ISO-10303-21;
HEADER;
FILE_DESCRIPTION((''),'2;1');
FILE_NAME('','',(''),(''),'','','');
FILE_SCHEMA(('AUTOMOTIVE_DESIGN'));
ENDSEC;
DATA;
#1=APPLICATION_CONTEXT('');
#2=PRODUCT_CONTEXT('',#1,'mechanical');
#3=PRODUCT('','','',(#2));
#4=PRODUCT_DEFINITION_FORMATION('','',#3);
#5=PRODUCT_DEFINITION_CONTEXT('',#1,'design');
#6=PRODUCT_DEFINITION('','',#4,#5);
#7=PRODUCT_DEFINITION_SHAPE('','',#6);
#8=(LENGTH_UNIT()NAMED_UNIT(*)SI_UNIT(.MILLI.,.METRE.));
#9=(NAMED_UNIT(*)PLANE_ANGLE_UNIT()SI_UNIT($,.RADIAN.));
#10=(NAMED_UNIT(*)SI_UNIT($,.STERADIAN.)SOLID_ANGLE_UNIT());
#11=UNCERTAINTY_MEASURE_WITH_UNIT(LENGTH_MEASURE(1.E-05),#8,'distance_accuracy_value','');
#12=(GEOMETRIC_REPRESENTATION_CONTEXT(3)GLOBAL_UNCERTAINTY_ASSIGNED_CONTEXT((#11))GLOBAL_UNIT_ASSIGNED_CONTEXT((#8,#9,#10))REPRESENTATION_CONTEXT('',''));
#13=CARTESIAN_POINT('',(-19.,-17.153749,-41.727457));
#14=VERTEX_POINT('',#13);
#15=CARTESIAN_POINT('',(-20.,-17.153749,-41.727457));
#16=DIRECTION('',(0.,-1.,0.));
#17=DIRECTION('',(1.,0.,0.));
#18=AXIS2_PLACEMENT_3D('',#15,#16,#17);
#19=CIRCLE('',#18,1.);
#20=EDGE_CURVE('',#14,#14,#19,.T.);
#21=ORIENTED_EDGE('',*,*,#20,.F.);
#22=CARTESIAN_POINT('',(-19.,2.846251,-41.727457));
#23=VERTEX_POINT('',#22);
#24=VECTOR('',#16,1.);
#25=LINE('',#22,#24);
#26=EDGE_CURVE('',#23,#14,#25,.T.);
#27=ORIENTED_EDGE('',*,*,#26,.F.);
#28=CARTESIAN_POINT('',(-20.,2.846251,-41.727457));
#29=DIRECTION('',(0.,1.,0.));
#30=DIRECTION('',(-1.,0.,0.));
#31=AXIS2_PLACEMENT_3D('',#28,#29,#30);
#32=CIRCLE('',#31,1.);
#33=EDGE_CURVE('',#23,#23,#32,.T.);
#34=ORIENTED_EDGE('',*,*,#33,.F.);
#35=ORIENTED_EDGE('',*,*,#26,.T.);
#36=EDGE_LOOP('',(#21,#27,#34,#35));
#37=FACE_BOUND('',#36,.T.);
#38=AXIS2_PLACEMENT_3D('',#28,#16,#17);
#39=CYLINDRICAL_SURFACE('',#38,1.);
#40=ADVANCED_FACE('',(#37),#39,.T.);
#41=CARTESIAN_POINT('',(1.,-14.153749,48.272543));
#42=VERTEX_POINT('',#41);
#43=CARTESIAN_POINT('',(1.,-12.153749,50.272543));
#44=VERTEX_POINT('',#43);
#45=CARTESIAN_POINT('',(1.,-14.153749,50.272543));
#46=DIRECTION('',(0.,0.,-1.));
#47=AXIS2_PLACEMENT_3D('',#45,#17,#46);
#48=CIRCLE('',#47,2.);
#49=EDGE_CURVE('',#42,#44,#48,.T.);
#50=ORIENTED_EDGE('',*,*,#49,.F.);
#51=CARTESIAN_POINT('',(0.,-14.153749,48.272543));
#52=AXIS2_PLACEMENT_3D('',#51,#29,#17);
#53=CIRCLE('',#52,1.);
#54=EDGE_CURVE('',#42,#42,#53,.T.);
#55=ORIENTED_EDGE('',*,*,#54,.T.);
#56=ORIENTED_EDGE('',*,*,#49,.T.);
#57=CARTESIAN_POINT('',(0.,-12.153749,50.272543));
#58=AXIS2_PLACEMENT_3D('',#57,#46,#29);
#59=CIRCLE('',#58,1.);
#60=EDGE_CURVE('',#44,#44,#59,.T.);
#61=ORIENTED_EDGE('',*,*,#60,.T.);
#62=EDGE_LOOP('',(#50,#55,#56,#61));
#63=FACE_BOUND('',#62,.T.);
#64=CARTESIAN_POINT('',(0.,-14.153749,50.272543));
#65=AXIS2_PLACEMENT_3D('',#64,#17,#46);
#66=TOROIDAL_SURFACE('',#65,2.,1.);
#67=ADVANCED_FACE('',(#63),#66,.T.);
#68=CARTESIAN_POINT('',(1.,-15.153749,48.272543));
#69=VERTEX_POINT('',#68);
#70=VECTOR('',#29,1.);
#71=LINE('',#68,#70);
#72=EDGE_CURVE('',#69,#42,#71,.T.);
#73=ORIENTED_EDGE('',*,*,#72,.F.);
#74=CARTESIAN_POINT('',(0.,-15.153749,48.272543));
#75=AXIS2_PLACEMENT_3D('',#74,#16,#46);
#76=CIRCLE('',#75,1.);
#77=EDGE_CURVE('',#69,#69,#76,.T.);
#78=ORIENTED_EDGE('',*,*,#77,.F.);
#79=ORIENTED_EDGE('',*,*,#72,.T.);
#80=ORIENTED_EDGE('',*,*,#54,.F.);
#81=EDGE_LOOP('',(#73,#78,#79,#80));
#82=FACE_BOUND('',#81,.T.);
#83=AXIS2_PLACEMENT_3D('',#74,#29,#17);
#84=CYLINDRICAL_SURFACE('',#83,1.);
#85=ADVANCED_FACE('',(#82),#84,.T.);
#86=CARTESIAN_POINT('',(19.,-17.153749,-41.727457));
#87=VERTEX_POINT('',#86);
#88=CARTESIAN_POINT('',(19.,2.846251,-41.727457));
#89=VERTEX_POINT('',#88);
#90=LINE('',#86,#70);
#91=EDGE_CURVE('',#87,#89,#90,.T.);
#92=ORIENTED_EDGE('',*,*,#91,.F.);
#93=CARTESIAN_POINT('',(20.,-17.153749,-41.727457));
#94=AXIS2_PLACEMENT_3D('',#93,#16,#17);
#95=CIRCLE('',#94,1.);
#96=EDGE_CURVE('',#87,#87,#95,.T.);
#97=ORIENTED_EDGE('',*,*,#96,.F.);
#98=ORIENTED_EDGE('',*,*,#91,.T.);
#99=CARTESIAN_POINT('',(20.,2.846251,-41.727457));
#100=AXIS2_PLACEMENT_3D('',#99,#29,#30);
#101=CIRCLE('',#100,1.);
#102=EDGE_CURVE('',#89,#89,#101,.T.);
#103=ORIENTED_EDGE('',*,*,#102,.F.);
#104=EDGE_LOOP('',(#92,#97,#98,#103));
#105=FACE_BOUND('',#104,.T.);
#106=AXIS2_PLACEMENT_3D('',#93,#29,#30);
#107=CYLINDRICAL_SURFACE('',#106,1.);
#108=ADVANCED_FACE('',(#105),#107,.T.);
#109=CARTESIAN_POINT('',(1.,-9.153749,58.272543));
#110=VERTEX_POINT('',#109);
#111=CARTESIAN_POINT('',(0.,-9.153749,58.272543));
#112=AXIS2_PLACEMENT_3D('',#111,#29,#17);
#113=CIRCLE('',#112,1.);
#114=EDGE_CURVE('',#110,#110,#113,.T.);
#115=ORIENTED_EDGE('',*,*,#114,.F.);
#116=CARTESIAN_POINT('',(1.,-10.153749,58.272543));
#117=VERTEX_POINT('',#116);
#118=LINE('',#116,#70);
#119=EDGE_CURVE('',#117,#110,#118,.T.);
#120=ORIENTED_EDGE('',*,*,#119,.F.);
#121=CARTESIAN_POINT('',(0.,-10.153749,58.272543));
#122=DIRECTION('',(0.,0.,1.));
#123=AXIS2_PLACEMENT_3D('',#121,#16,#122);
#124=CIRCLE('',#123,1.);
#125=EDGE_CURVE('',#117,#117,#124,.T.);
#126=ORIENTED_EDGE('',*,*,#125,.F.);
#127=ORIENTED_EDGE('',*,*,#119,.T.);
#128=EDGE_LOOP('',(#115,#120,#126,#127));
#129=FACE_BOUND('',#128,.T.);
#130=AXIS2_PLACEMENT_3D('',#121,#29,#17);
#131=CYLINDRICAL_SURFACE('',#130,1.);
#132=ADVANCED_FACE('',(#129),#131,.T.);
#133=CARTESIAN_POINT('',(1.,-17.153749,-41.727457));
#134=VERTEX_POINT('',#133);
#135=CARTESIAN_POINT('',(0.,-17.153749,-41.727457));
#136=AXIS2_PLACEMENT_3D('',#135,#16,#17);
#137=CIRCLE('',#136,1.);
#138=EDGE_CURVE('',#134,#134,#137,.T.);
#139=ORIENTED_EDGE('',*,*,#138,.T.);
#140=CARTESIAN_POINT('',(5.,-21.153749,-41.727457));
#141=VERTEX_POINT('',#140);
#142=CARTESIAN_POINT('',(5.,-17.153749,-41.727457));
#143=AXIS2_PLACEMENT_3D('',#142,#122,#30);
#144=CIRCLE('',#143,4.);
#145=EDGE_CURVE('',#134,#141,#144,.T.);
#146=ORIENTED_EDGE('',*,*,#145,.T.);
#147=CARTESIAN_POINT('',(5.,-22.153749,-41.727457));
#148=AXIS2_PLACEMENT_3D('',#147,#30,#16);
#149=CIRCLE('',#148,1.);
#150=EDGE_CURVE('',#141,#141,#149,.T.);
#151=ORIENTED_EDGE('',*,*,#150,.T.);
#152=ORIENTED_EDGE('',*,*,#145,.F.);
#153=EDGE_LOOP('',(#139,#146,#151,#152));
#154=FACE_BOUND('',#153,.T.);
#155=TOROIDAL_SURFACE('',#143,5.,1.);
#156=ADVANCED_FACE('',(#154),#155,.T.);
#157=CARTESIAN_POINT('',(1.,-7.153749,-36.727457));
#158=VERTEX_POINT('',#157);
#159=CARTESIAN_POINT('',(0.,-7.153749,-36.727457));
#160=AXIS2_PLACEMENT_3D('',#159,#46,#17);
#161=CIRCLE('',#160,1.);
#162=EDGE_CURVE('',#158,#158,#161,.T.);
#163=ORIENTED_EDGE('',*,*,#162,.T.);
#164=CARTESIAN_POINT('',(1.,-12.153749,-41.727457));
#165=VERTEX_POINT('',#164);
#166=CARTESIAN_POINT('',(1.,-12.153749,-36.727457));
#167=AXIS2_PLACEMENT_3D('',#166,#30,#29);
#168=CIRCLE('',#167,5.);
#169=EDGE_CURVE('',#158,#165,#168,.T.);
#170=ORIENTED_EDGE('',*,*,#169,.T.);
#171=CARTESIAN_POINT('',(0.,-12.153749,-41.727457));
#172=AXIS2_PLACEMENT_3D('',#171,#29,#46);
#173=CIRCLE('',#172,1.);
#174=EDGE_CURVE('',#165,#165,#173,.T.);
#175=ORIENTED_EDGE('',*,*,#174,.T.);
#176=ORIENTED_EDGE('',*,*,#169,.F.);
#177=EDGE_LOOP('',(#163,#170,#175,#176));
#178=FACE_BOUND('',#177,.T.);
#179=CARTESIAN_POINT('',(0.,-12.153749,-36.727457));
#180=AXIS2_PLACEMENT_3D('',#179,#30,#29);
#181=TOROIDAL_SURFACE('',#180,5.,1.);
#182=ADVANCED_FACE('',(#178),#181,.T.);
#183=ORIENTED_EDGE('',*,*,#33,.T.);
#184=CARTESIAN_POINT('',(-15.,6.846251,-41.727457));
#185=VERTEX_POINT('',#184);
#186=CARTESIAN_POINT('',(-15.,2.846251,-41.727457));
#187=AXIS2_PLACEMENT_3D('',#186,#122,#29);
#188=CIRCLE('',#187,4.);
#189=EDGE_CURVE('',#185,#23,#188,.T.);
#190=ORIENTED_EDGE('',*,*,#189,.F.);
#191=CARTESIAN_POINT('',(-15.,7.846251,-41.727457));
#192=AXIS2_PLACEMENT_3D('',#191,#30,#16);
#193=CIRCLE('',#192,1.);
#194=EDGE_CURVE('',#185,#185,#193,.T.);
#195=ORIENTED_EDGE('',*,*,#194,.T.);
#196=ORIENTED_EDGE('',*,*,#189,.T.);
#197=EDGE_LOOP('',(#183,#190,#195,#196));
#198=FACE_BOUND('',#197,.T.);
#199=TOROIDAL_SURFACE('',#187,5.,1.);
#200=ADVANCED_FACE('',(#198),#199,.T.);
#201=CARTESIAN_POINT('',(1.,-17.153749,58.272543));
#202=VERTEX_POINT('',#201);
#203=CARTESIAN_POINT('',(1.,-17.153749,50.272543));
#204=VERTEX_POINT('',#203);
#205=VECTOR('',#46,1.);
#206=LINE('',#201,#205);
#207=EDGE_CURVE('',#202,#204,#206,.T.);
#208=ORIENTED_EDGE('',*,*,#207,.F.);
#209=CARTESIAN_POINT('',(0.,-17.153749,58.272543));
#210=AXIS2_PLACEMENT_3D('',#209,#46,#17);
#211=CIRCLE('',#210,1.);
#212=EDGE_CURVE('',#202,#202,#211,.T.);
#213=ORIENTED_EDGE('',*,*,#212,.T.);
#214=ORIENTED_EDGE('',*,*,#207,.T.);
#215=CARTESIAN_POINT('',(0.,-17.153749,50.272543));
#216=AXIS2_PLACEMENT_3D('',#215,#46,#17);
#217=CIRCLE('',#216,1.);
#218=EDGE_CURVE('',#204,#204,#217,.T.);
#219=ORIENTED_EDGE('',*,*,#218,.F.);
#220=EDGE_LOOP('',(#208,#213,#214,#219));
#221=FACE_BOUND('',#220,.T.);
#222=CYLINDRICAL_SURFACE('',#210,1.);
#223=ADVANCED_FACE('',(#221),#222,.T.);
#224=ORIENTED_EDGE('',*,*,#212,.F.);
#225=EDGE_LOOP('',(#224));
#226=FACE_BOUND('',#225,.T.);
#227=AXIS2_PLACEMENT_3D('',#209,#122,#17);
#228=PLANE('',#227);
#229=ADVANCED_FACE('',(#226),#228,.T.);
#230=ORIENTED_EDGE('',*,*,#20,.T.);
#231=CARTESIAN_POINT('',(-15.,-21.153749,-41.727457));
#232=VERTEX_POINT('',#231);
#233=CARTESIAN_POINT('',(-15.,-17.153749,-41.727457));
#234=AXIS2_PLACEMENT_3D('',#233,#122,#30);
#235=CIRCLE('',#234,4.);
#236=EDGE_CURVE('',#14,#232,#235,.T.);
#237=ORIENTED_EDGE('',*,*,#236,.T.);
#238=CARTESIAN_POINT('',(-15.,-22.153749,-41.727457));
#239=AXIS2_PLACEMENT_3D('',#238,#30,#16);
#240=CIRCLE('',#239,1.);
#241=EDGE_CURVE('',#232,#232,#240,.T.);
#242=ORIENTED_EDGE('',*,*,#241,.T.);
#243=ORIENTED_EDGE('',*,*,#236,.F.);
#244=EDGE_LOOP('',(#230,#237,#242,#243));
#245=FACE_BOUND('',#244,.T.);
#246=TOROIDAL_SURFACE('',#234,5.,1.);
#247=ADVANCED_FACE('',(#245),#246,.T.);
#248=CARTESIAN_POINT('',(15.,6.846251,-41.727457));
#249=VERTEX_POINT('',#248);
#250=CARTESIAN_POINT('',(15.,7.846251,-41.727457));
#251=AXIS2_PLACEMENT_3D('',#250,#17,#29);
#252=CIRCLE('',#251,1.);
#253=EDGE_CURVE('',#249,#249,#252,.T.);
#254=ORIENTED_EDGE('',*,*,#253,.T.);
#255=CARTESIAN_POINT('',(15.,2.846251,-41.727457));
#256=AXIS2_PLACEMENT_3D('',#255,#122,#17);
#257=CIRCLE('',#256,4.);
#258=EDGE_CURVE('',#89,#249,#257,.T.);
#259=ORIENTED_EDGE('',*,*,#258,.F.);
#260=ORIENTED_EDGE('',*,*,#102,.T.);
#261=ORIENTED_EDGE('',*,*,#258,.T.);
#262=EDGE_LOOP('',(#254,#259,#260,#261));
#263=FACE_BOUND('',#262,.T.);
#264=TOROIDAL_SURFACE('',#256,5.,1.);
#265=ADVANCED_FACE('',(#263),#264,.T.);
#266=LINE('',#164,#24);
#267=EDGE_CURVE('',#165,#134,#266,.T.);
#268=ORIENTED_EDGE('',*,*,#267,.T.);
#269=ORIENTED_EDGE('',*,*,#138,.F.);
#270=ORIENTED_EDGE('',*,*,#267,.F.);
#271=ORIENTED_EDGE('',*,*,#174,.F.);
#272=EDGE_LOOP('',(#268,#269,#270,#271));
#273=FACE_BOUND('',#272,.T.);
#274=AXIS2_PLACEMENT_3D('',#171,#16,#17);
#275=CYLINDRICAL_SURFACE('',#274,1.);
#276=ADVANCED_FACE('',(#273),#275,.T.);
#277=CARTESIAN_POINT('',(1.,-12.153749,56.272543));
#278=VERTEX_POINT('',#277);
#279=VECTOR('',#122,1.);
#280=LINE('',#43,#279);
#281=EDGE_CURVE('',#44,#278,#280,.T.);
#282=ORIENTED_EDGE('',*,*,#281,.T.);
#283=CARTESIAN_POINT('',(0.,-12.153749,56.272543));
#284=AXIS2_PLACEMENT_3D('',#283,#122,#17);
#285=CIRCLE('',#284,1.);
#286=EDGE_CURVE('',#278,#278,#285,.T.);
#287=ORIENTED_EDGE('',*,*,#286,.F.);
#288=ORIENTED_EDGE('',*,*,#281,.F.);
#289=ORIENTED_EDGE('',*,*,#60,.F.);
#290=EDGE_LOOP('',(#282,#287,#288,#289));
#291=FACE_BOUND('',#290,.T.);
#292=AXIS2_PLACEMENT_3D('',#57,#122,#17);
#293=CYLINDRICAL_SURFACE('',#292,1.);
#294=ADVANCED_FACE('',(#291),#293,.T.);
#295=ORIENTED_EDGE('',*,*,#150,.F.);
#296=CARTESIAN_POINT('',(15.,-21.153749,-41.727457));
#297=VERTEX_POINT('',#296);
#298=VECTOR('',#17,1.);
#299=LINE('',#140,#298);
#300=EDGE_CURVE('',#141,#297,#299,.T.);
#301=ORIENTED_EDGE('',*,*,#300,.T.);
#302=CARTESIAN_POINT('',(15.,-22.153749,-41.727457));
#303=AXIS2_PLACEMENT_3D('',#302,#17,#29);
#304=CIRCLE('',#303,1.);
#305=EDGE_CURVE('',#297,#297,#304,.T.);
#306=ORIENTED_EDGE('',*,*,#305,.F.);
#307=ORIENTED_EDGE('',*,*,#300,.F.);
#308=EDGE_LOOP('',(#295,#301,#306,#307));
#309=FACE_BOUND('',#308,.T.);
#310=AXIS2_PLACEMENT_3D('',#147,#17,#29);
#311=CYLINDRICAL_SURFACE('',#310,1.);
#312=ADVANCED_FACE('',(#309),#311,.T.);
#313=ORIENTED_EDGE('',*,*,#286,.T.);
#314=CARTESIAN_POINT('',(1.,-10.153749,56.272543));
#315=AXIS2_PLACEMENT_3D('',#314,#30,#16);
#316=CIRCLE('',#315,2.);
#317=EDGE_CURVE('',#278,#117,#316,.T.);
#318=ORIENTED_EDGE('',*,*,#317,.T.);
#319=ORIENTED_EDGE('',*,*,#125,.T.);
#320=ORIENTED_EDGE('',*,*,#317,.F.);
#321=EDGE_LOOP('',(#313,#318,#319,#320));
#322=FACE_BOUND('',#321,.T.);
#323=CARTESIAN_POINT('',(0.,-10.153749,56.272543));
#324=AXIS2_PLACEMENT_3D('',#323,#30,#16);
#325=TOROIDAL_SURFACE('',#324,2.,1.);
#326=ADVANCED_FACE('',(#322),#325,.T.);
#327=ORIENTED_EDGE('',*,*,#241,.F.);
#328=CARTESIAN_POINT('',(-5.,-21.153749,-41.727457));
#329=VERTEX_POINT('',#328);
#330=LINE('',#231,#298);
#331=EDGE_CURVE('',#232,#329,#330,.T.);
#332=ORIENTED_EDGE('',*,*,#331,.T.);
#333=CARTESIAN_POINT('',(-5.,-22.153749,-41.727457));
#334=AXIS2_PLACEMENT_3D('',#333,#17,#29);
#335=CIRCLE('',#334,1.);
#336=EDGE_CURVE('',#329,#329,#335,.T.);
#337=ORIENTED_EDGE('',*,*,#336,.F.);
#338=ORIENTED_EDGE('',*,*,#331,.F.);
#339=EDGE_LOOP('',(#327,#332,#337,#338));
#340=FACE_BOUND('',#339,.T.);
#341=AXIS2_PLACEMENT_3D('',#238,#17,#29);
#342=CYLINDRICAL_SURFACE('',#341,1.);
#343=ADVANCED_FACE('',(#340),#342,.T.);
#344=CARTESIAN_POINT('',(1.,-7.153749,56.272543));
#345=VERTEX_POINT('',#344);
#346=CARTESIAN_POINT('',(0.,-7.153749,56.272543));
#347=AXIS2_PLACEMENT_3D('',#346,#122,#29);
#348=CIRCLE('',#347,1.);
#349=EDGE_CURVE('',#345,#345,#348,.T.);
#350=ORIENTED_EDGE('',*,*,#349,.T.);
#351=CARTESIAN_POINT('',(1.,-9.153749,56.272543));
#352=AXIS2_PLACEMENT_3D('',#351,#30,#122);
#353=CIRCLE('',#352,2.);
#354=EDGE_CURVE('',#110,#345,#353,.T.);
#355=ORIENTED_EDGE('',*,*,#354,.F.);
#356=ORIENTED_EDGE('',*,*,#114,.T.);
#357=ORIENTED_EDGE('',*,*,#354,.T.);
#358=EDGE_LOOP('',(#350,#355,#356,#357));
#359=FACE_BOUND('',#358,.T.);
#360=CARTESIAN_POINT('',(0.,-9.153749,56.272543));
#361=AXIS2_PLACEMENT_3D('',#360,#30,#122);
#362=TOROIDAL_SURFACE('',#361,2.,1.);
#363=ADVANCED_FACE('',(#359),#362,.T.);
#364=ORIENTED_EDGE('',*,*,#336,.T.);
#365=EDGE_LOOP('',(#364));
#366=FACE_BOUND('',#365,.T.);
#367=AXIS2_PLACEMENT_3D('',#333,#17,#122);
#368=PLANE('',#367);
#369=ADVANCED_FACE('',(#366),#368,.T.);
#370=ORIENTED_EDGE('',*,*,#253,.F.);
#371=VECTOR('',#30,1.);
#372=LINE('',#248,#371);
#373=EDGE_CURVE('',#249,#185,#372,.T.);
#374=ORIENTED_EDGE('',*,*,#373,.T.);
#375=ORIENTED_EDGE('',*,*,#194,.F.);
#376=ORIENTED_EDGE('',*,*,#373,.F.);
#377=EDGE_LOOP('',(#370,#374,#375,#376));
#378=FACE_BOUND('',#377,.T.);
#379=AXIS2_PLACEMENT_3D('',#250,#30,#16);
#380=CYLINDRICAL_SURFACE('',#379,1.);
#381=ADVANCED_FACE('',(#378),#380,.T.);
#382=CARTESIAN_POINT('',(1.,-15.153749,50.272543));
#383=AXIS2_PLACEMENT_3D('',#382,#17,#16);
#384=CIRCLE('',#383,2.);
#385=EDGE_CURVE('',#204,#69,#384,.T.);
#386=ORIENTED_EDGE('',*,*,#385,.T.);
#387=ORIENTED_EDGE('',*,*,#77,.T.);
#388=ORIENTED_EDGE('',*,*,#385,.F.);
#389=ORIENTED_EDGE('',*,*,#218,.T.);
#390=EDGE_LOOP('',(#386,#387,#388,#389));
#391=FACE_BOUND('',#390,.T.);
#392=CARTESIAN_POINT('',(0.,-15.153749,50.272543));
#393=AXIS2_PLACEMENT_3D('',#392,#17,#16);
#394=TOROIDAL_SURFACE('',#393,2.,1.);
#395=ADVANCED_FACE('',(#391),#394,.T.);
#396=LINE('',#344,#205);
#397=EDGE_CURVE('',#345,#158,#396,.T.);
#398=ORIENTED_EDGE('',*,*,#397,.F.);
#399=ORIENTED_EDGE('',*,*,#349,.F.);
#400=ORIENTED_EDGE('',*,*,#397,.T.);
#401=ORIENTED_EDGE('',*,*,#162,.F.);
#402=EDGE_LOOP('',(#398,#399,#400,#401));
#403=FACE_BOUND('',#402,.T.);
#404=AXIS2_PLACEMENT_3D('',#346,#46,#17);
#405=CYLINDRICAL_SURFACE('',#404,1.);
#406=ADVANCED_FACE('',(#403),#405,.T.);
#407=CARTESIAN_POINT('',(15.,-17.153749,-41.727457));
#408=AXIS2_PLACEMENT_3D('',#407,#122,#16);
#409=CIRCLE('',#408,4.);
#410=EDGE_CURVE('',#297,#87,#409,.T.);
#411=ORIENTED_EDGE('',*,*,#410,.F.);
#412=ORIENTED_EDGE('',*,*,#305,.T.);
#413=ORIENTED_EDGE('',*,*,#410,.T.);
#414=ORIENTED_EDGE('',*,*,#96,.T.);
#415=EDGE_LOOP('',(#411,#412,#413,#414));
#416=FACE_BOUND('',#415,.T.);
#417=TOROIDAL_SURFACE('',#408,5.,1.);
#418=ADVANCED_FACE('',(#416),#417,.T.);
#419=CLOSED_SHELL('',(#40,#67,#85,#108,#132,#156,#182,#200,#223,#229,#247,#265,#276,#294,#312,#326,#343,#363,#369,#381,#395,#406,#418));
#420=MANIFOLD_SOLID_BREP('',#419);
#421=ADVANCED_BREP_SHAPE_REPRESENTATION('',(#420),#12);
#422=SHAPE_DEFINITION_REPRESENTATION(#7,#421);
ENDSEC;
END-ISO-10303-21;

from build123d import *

# Parameters (mm, degrees)
F2_R      = 1
F3_FACE_R = 1


with BuildPart() as f3:
    # F3: sweep along a path in F0
    with BuildLine(Plane.YZ) as f3_path:
        Line((-17.1537491528, 58.2725426934), (-17.1537491528, 50.2725426934))
        ThreePointArc((-17.1537491528, 50.2725426934), (-16.5679627151, 48.8583291311), (-15.1537491528, 48.2725426934))
        Line((-15.1537491528, 48.2725426934), (-14.1537491528, 48.2725426934))
        ThreePointArc((-14.1537491528, 48.2725426934), (-12.7395355904, 48.8583291311), (-12.1537491528, 50.2725426934))
        Line((-12.1537491528, 50.2725426934), (-12.1537491528, 56.2725426934))
        ThreePointArc((-12.1537491528, 56.2725426934), (-11.5679627151, 57.6867562558), (-10.1537491528, 58.2725426934))
        Line((-10.1537491528, 58.2725426934), (-9.1537491528, 58.2725426934))
        ThreePointArc((-9.1537491528, 58.2725426934), (-7.7395355904, 57.6867562558), (-7.1537491528, 56.2725426934))
        Line((-7.1537491528, 56.2725426934), (-7.1537491528, -36.7274573066))
        ThreePointArc((-7.1537491528, -36.7274573066), (-8.6182152468, -40.2629912125), (-12.1537491528, -41.7274573066))
        Line((-12.1537491528, -41.7274573066), (-17.1537491528, -41.7274573066))
    # F2 (on plane+point) → F3 (sweep)
    with BuildSketch(Plane.XY.offset(58.2725426934)):
        with Locations((0, -17.1537491528)):
            Circle(F2_R)
    sweep(path=f3_path.line)

    # F6: sweep along a path in F5
    with BuildLine(Plane.XY.offset(-41.7274573066)) as f6_path:
        ThreePointArc((0, -17.1537491528), (1.4644660941, -20.6892830587), (5, -22.1537491528))
        Line((5, -22.1537491528), (15, -22.1537491528))
        ThreePointArc((15, -22.1537491528), (18.5355339059, -20.6892830587), (20, -17.1537491528))
        Line((20, -17.1537491528), (20, 2.8462508472))
        ThreePointArc((20, 2.8462508472), (18.5355339059, 6.3817847532), (15, 7.8462508472))
        Line((15, 7.8462508472), (-15, 7.8462508472))
        ThreePointArc((-15, 7.8462508472), (-18.5355339059, 6.3817847532), (-20, 2.8462508472))
        Line((-20, 2.8462508472), (-20, -17.1537491528))
        ThreePointArc((-20, -17.1537491528), (-18.5355339059, -20.6892830587), (-15, -22.1537491528))
        Line((-15, -22.1537491528), (-5, -22.1537491528))
    # F3_face (on face) → F6 (sweep)
    with BuildSketch(Plane(origin=(0, -17.1537491528, -41.7274573066), x_dir=(1, 0, 0), z_dir=(0, -1, 0))):
        Circle(F3_FACE_R)
    sweep(path=f6_path.line)


solid = f3.part
